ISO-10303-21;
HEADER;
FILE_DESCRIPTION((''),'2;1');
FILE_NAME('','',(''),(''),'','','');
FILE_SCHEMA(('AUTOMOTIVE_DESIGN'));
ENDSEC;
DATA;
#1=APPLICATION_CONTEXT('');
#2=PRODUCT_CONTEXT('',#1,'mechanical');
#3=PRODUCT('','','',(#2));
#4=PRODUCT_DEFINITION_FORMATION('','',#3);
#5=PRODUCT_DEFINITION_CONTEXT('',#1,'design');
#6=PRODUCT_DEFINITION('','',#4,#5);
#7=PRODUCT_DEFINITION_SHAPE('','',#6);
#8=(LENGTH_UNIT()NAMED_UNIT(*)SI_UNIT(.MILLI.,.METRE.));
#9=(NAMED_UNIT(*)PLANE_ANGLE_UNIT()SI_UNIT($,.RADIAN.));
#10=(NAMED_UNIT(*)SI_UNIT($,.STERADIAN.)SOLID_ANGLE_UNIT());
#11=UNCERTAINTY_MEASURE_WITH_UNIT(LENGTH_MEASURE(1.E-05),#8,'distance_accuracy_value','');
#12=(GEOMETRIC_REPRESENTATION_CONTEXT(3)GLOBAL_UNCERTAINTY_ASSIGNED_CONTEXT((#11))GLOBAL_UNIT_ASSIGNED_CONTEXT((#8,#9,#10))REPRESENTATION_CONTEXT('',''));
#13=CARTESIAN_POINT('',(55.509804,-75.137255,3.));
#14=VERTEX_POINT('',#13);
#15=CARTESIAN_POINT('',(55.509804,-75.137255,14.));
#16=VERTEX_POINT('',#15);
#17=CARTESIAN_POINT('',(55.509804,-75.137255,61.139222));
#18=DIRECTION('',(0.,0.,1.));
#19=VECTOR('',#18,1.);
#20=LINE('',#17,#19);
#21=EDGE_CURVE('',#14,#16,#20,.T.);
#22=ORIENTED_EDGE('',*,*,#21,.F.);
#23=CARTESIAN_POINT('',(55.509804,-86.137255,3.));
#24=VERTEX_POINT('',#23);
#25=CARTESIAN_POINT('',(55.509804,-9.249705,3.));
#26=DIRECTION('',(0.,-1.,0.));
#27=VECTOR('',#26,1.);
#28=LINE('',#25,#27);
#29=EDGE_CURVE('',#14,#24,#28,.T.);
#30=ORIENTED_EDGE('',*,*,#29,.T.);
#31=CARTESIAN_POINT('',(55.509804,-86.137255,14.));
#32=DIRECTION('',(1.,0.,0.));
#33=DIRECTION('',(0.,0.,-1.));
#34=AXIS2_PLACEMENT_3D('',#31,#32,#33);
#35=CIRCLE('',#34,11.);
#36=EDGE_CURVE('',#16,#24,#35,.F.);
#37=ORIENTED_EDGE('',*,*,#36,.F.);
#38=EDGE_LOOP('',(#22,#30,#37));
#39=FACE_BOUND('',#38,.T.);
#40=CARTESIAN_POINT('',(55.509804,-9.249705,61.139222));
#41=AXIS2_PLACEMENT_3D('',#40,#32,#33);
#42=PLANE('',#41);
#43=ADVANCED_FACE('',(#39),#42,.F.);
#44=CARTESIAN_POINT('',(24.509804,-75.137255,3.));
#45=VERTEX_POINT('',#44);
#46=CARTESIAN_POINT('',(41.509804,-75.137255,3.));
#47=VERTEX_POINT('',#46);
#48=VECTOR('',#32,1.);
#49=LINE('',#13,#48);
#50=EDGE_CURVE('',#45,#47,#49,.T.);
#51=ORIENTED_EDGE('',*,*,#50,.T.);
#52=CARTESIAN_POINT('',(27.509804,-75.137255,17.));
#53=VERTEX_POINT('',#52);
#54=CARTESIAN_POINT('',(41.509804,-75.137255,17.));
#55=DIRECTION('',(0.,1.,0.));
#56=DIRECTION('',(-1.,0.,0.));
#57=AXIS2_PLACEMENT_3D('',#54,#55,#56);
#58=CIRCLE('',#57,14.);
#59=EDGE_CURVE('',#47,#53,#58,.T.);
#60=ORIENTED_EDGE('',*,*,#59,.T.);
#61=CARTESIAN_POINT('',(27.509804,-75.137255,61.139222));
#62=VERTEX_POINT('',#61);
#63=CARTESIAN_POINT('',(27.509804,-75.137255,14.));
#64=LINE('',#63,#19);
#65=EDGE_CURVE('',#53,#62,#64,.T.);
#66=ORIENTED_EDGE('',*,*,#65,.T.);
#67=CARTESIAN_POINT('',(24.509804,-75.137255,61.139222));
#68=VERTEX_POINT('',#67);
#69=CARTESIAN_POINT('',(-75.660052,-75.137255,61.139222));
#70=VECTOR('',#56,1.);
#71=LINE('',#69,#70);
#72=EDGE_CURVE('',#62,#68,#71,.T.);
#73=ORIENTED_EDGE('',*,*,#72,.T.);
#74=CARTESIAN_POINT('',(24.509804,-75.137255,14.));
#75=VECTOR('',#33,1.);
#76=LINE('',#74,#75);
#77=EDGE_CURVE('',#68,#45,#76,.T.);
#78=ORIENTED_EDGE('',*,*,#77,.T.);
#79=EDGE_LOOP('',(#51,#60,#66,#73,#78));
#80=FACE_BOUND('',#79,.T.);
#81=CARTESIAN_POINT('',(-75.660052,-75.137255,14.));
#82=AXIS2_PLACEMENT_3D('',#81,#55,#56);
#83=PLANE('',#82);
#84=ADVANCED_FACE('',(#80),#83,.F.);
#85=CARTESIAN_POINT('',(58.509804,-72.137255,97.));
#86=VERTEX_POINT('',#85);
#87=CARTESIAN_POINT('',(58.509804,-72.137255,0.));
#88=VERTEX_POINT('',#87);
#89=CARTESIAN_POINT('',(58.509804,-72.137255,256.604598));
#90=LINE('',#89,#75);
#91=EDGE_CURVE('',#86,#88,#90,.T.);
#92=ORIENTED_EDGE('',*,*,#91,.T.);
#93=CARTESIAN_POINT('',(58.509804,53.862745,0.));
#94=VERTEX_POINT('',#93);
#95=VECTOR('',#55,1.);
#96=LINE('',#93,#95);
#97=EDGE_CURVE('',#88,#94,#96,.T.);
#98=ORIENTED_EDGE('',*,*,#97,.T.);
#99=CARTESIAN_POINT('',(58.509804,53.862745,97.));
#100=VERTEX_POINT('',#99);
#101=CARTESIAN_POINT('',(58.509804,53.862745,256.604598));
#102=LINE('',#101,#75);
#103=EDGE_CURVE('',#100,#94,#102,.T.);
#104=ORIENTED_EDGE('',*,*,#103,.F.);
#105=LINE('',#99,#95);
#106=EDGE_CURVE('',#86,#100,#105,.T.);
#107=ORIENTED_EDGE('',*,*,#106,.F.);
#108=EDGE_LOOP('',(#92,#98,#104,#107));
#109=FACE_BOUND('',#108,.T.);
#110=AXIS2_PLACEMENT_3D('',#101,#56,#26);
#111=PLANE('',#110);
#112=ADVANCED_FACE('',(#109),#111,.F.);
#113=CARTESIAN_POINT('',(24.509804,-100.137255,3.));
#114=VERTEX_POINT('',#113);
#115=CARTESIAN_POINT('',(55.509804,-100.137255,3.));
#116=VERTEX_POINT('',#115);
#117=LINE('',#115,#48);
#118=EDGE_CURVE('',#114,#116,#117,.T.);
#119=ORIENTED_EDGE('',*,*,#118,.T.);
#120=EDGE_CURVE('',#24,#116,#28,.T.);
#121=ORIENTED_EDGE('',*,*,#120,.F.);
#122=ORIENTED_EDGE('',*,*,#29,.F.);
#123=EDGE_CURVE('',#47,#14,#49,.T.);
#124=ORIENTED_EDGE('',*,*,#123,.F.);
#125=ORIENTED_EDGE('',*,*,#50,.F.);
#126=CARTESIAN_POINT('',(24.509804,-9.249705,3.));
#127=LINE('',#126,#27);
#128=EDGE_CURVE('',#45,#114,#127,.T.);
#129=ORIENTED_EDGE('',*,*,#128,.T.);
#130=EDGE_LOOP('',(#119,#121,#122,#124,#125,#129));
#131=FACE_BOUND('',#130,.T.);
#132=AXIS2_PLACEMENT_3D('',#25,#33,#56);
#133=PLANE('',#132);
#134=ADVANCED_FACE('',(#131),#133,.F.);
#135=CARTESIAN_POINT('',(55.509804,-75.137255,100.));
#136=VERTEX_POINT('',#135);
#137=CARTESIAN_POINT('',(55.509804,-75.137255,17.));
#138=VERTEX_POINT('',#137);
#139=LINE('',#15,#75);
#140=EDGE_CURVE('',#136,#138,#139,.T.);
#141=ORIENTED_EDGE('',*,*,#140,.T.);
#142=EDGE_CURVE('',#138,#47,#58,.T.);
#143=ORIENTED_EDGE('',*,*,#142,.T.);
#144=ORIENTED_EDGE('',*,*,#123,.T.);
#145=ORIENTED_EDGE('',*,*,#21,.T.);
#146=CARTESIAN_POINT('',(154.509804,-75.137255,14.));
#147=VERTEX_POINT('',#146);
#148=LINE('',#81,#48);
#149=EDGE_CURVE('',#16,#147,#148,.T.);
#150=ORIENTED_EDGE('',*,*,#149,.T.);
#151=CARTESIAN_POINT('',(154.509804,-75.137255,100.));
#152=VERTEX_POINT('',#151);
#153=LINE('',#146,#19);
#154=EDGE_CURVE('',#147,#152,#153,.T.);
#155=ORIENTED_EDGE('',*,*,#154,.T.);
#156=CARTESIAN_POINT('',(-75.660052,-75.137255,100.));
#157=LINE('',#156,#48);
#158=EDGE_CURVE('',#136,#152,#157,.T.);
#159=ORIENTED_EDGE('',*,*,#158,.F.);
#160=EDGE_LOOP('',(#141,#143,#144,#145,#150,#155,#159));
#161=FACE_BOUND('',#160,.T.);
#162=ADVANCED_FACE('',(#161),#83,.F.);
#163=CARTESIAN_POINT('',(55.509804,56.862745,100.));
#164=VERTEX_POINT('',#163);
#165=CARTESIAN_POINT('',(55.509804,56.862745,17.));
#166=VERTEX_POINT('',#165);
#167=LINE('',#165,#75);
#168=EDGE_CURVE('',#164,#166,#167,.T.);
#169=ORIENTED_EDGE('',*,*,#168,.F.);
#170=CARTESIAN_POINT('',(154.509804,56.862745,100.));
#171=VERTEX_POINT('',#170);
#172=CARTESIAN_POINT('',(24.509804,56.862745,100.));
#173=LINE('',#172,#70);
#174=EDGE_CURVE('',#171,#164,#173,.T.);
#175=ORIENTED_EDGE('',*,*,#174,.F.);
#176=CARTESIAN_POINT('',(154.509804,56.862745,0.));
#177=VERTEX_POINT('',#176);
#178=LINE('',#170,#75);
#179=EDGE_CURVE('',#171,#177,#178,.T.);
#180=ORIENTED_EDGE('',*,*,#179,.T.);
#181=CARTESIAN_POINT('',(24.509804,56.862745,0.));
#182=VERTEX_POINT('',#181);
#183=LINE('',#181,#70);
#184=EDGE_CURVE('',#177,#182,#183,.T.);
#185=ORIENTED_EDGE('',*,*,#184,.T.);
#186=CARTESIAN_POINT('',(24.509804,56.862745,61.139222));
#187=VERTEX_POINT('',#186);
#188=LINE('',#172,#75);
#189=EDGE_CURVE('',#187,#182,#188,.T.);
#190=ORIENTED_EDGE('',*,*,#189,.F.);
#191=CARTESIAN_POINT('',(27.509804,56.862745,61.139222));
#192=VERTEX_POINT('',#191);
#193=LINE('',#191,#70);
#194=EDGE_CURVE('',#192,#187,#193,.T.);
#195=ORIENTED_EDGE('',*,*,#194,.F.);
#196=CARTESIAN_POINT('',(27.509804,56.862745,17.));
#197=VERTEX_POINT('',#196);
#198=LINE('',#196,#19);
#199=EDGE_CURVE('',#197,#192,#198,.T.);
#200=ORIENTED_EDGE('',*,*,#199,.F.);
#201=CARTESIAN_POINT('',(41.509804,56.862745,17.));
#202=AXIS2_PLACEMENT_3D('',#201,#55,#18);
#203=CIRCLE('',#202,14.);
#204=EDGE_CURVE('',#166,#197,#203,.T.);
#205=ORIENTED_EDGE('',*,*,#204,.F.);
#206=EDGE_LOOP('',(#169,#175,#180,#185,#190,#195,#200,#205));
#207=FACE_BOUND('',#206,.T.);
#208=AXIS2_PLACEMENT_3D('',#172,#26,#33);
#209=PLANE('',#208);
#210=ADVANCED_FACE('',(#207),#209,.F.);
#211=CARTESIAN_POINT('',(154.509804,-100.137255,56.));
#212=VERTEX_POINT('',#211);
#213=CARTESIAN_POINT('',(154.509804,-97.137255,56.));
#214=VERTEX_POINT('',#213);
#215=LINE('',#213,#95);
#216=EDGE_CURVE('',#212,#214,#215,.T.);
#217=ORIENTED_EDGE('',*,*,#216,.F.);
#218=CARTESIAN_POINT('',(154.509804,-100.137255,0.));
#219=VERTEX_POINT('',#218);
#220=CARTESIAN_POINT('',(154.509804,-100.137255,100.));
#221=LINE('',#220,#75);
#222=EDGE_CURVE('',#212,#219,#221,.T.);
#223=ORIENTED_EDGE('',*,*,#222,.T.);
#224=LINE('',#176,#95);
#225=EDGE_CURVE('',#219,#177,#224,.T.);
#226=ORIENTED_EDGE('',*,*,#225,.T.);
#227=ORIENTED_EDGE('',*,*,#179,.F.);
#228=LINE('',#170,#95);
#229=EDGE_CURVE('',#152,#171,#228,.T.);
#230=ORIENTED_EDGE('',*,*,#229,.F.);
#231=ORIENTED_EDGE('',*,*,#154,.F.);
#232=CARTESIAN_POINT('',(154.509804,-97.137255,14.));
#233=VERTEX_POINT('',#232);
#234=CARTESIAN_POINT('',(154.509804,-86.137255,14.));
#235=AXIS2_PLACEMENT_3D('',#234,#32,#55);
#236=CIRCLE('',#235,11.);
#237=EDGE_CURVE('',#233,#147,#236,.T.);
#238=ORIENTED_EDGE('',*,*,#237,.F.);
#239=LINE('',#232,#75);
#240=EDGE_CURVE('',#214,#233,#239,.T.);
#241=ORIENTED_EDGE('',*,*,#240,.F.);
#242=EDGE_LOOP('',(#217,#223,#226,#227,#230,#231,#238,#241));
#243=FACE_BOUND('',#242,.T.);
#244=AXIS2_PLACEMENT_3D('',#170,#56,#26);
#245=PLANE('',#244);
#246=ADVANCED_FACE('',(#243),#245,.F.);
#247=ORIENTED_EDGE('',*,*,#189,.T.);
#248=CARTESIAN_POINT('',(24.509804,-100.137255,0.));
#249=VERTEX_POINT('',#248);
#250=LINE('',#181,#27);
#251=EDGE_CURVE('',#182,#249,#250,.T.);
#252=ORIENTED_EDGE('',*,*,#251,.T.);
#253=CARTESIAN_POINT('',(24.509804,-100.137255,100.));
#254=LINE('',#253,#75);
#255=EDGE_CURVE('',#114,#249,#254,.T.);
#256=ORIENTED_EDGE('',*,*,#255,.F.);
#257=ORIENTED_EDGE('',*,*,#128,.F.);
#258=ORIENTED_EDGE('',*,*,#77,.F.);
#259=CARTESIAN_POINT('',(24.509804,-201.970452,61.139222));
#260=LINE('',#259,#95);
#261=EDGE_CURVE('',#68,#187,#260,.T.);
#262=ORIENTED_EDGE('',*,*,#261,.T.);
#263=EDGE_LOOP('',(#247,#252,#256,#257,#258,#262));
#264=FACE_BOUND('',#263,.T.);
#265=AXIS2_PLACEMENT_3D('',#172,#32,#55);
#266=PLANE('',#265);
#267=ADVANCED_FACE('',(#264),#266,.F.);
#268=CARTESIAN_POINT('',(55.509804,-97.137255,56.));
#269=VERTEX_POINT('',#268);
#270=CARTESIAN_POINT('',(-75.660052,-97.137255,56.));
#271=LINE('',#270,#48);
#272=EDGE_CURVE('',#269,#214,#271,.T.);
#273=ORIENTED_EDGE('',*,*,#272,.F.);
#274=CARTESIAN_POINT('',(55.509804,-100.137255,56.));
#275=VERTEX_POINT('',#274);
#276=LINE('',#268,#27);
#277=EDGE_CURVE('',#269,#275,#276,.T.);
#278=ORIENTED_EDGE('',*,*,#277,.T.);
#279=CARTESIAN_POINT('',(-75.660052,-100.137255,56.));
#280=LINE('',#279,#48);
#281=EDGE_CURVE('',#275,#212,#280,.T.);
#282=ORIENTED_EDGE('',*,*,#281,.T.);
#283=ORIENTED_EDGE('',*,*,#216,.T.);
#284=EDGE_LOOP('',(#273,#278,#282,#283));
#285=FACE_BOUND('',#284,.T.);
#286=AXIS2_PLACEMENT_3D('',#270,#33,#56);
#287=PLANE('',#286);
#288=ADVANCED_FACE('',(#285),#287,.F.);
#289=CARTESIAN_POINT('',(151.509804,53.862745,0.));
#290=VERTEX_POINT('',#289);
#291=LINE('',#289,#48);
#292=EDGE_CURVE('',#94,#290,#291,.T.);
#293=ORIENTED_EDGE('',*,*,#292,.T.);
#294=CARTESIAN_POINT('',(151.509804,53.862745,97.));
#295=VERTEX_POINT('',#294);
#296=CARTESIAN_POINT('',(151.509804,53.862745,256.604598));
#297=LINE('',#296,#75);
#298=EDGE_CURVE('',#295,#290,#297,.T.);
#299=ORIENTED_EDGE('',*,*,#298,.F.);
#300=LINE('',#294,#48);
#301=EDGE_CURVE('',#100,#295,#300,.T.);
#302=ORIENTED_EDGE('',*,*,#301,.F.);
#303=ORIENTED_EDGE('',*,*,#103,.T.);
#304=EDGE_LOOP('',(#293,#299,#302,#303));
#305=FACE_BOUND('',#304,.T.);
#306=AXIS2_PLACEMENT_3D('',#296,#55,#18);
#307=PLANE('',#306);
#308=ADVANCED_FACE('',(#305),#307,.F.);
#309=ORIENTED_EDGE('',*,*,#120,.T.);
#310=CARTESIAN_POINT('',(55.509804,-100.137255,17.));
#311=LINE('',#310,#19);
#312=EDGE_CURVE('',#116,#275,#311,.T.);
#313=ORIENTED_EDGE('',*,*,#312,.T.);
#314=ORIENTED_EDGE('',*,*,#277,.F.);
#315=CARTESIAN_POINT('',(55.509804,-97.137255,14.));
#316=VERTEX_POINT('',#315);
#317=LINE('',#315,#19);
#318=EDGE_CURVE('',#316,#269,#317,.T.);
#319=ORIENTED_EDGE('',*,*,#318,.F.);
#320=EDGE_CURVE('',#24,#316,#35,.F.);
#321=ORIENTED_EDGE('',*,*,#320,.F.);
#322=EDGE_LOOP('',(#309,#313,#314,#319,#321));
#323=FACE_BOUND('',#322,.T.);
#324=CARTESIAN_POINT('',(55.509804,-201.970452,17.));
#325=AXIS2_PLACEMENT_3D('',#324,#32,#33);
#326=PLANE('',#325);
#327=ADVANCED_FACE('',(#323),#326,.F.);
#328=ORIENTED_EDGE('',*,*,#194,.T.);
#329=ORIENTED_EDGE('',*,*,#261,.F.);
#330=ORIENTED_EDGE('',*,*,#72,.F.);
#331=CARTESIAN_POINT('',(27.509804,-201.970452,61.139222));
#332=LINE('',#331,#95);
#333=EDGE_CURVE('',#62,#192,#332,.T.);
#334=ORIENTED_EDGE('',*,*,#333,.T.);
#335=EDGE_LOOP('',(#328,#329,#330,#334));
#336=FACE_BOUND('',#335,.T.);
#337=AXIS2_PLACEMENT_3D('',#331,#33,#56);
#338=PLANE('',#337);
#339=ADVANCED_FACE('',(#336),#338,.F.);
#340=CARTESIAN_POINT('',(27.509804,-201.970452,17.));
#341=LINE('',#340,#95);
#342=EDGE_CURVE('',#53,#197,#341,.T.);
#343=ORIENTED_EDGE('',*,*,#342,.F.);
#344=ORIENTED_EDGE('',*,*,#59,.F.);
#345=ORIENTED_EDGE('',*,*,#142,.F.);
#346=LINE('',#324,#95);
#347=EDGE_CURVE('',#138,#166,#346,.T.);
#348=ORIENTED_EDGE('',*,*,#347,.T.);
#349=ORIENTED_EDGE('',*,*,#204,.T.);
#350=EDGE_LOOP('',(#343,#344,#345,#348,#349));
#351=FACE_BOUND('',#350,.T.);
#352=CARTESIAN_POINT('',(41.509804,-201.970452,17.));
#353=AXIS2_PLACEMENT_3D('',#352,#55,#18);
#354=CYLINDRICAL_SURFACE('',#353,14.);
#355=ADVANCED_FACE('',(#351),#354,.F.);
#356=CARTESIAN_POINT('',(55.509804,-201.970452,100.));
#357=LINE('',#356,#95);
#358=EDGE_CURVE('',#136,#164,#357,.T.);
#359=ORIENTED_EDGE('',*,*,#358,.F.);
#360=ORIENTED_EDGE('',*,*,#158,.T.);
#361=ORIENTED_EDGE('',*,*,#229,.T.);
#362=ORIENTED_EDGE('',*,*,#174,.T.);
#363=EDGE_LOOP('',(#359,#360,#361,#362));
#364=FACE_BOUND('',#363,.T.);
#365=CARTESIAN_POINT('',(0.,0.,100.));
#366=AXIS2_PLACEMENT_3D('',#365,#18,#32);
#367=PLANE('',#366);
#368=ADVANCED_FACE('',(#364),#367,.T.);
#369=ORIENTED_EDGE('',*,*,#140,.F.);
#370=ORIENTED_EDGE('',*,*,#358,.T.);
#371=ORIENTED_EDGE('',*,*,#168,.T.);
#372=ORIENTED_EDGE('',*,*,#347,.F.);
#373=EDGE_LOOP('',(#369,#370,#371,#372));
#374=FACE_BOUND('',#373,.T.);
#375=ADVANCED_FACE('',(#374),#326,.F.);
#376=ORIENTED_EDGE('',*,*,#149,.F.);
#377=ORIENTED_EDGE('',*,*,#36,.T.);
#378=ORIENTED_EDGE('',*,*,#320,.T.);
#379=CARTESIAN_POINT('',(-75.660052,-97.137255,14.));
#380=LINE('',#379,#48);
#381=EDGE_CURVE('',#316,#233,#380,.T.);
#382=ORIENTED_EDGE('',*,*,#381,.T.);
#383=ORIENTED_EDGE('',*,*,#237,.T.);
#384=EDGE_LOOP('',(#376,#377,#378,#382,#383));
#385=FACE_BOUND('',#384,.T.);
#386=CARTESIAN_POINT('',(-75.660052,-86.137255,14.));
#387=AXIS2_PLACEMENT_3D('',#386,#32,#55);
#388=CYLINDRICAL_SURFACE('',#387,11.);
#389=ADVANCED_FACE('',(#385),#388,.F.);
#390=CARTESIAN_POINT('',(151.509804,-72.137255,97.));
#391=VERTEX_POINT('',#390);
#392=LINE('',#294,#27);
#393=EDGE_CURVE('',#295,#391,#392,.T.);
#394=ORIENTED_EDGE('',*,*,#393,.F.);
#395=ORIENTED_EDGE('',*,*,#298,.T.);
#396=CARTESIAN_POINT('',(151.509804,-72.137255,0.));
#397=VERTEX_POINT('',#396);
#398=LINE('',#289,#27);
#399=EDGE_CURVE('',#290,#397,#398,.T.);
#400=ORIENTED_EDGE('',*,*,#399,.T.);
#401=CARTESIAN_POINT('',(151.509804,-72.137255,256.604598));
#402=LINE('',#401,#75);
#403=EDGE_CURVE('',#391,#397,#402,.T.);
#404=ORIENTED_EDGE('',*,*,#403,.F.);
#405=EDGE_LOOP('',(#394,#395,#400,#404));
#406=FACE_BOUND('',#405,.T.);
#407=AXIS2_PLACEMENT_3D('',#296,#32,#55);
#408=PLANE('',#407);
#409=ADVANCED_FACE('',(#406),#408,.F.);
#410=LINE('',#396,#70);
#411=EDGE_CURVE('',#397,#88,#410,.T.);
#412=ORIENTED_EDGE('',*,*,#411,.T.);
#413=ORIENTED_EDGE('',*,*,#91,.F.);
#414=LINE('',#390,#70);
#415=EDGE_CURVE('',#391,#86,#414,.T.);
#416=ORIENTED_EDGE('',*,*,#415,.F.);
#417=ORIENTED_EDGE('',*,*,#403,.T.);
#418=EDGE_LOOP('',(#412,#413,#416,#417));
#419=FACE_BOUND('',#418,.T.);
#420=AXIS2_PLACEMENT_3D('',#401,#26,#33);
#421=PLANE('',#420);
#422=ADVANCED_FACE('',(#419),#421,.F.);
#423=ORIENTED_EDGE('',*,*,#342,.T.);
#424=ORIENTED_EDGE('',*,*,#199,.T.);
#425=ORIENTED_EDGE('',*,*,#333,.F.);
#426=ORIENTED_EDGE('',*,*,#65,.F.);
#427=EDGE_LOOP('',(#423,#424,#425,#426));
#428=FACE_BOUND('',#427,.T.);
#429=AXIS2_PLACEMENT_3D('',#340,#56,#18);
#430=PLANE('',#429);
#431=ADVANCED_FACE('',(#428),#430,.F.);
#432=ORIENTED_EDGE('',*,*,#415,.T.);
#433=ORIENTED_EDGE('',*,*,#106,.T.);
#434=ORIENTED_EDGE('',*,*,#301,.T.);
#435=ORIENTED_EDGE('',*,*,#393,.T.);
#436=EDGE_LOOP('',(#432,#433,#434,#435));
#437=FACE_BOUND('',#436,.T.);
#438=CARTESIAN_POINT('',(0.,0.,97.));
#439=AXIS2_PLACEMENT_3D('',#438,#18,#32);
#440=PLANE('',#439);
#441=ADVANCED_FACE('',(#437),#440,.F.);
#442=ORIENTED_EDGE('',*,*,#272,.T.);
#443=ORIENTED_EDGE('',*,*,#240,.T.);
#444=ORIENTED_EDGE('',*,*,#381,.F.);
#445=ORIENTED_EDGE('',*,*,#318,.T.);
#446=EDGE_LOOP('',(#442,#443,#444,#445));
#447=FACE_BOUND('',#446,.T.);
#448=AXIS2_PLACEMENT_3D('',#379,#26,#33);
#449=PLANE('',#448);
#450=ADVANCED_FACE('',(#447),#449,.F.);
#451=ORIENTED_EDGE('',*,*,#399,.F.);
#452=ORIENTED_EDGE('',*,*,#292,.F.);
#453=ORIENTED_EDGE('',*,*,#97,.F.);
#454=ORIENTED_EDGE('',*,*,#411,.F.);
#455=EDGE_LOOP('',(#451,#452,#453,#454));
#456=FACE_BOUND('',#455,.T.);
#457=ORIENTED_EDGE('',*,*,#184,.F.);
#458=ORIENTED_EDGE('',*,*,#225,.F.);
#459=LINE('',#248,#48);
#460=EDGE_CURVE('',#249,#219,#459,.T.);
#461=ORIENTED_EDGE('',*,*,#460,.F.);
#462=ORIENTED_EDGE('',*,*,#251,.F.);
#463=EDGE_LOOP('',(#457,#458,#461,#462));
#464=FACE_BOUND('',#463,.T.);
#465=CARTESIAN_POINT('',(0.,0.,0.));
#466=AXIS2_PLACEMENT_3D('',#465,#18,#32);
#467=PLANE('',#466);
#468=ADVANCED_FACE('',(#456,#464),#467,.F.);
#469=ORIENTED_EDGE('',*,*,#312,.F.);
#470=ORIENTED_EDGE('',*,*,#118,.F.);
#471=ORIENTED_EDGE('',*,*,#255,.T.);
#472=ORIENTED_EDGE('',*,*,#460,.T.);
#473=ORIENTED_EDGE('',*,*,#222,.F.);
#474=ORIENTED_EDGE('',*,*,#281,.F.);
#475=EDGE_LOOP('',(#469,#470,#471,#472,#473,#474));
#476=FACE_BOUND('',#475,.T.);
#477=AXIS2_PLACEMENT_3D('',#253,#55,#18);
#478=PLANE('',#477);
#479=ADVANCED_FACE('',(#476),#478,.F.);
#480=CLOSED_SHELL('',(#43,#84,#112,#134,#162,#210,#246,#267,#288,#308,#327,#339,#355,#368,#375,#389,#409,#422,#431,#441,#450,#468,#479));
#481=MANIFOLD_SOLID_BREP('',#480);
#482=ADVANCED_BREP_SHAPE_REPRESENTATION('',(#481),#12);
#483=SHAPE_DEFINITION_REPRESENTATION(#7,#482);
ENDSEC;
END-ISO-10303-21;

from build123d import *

# Parameters (mm, degrees)
SKETCH1_W           = 130
SKETCH1_H           = 157
BOSS_EXTRUDE1_DEPTH = 100
CUT_EXTRUDE3_DEPTH  = 130
CUT_EXTRUDE7_DEPTH  = 157
SKETCH10_W          = 31
SKETCH10_H          = 58.139222378
CUT_EXTRUDE8_DEPTH  = 25
SKETCH11_W          = 93
SKETCH11_H          = 126
CUT_EXTRUDE9_DEPTH  = 97


with BuildPart() as part:
    # Sketch1 → Boss-Extrude1 (new body)
    with BuildSketch(Plane.XY):
        with Locations((89.509803922, -21.637254902)):
            Rectangle(SKETCH1_W, SKETCH1_H)
    extrude(amount=BOSS_EXTRUDE1_DEPTH)

    # Sketch3 → Cut-Extrude3 (cut)
    with BuildSketch(Plane(origin=(154.509803922, 0, 0), x_dir=(0, 0, -1), z_dir=(1, 0, 0))):
        with BuildLine():
            Line((-14, -97.137254902), (-56, -97.137254902))
            Line((-56, -97.137254902), (-56, -100.137254902))
            Line((-56, -100.137254902), (-100, -100.137254902))
            Line((-100, -100.137254902), (-100, -75.137254902))
            Line((-100, -75.137254902), (-14, -75.137254902))
            ThreePointArc((-14, -75.137254902), (-3, -86.137254902), (-14, -97.137254902))
        make_face()
    extrude(amount=-CUT_EXTRUDE3_DEPTH, mode=Mode.SUBTRACT)

    # Sketch9 → Cut-Extrude7 (cut)
    with BuildSketch(Plane(origin=(0, 56.862745098, 0), x_dir=(1, 0, 0), z_dir=(0, 1, 0))):
        with BuildLine():
            Line((27.509803922, -17), (27.509803922, -61.139222378))
            Line((27.509803922, -61.139222378), (24.509803922, -61.139222378))
            Line((24.509803922, -61.139222378), (24.509803922, -100))
            Line((24.509803922, -100), (55.509803922, -100))
            Line((55.509803922, -100), (55.509803922, -17))
            ThreePointArc((55.509803922, -17), (41.509803922, -3), (27.509803922, -17))
        make_face()
    extrude(amount=-CUT_EXTRUDE7_DEPTH, mode=Mode.SUBTRACT)

    # Sketch10 → Cut-Extrude8 (cut)
    with BuildSketch(Plane.XZ.offset(100.137254902)):
        with Locations((40.009803922, 32.069611189)):
            Rectangle(SKETCH10_W, SKETCH10_H)
    extrude(amount=-CUT_EXTRUDE8_DEPTH, mode=Mode.SUBTRACT)

    # Sketch11 → Cut-Extrude9 (cut)
    with BuildSketch(Plane(origin=(0, 0, 0), x_dir=(-1, 0, 0), z_dir=(0, 0, -1))):
        with Locations((-105.009803922, -9.137254902)):
            Rectangle(SKETCH11_W, SKETCH11_H)
    extrude(amount=-CUT_EXTRUDE9_DEPTH, mode=Mode.SUBTRACT)


solid = part.part
